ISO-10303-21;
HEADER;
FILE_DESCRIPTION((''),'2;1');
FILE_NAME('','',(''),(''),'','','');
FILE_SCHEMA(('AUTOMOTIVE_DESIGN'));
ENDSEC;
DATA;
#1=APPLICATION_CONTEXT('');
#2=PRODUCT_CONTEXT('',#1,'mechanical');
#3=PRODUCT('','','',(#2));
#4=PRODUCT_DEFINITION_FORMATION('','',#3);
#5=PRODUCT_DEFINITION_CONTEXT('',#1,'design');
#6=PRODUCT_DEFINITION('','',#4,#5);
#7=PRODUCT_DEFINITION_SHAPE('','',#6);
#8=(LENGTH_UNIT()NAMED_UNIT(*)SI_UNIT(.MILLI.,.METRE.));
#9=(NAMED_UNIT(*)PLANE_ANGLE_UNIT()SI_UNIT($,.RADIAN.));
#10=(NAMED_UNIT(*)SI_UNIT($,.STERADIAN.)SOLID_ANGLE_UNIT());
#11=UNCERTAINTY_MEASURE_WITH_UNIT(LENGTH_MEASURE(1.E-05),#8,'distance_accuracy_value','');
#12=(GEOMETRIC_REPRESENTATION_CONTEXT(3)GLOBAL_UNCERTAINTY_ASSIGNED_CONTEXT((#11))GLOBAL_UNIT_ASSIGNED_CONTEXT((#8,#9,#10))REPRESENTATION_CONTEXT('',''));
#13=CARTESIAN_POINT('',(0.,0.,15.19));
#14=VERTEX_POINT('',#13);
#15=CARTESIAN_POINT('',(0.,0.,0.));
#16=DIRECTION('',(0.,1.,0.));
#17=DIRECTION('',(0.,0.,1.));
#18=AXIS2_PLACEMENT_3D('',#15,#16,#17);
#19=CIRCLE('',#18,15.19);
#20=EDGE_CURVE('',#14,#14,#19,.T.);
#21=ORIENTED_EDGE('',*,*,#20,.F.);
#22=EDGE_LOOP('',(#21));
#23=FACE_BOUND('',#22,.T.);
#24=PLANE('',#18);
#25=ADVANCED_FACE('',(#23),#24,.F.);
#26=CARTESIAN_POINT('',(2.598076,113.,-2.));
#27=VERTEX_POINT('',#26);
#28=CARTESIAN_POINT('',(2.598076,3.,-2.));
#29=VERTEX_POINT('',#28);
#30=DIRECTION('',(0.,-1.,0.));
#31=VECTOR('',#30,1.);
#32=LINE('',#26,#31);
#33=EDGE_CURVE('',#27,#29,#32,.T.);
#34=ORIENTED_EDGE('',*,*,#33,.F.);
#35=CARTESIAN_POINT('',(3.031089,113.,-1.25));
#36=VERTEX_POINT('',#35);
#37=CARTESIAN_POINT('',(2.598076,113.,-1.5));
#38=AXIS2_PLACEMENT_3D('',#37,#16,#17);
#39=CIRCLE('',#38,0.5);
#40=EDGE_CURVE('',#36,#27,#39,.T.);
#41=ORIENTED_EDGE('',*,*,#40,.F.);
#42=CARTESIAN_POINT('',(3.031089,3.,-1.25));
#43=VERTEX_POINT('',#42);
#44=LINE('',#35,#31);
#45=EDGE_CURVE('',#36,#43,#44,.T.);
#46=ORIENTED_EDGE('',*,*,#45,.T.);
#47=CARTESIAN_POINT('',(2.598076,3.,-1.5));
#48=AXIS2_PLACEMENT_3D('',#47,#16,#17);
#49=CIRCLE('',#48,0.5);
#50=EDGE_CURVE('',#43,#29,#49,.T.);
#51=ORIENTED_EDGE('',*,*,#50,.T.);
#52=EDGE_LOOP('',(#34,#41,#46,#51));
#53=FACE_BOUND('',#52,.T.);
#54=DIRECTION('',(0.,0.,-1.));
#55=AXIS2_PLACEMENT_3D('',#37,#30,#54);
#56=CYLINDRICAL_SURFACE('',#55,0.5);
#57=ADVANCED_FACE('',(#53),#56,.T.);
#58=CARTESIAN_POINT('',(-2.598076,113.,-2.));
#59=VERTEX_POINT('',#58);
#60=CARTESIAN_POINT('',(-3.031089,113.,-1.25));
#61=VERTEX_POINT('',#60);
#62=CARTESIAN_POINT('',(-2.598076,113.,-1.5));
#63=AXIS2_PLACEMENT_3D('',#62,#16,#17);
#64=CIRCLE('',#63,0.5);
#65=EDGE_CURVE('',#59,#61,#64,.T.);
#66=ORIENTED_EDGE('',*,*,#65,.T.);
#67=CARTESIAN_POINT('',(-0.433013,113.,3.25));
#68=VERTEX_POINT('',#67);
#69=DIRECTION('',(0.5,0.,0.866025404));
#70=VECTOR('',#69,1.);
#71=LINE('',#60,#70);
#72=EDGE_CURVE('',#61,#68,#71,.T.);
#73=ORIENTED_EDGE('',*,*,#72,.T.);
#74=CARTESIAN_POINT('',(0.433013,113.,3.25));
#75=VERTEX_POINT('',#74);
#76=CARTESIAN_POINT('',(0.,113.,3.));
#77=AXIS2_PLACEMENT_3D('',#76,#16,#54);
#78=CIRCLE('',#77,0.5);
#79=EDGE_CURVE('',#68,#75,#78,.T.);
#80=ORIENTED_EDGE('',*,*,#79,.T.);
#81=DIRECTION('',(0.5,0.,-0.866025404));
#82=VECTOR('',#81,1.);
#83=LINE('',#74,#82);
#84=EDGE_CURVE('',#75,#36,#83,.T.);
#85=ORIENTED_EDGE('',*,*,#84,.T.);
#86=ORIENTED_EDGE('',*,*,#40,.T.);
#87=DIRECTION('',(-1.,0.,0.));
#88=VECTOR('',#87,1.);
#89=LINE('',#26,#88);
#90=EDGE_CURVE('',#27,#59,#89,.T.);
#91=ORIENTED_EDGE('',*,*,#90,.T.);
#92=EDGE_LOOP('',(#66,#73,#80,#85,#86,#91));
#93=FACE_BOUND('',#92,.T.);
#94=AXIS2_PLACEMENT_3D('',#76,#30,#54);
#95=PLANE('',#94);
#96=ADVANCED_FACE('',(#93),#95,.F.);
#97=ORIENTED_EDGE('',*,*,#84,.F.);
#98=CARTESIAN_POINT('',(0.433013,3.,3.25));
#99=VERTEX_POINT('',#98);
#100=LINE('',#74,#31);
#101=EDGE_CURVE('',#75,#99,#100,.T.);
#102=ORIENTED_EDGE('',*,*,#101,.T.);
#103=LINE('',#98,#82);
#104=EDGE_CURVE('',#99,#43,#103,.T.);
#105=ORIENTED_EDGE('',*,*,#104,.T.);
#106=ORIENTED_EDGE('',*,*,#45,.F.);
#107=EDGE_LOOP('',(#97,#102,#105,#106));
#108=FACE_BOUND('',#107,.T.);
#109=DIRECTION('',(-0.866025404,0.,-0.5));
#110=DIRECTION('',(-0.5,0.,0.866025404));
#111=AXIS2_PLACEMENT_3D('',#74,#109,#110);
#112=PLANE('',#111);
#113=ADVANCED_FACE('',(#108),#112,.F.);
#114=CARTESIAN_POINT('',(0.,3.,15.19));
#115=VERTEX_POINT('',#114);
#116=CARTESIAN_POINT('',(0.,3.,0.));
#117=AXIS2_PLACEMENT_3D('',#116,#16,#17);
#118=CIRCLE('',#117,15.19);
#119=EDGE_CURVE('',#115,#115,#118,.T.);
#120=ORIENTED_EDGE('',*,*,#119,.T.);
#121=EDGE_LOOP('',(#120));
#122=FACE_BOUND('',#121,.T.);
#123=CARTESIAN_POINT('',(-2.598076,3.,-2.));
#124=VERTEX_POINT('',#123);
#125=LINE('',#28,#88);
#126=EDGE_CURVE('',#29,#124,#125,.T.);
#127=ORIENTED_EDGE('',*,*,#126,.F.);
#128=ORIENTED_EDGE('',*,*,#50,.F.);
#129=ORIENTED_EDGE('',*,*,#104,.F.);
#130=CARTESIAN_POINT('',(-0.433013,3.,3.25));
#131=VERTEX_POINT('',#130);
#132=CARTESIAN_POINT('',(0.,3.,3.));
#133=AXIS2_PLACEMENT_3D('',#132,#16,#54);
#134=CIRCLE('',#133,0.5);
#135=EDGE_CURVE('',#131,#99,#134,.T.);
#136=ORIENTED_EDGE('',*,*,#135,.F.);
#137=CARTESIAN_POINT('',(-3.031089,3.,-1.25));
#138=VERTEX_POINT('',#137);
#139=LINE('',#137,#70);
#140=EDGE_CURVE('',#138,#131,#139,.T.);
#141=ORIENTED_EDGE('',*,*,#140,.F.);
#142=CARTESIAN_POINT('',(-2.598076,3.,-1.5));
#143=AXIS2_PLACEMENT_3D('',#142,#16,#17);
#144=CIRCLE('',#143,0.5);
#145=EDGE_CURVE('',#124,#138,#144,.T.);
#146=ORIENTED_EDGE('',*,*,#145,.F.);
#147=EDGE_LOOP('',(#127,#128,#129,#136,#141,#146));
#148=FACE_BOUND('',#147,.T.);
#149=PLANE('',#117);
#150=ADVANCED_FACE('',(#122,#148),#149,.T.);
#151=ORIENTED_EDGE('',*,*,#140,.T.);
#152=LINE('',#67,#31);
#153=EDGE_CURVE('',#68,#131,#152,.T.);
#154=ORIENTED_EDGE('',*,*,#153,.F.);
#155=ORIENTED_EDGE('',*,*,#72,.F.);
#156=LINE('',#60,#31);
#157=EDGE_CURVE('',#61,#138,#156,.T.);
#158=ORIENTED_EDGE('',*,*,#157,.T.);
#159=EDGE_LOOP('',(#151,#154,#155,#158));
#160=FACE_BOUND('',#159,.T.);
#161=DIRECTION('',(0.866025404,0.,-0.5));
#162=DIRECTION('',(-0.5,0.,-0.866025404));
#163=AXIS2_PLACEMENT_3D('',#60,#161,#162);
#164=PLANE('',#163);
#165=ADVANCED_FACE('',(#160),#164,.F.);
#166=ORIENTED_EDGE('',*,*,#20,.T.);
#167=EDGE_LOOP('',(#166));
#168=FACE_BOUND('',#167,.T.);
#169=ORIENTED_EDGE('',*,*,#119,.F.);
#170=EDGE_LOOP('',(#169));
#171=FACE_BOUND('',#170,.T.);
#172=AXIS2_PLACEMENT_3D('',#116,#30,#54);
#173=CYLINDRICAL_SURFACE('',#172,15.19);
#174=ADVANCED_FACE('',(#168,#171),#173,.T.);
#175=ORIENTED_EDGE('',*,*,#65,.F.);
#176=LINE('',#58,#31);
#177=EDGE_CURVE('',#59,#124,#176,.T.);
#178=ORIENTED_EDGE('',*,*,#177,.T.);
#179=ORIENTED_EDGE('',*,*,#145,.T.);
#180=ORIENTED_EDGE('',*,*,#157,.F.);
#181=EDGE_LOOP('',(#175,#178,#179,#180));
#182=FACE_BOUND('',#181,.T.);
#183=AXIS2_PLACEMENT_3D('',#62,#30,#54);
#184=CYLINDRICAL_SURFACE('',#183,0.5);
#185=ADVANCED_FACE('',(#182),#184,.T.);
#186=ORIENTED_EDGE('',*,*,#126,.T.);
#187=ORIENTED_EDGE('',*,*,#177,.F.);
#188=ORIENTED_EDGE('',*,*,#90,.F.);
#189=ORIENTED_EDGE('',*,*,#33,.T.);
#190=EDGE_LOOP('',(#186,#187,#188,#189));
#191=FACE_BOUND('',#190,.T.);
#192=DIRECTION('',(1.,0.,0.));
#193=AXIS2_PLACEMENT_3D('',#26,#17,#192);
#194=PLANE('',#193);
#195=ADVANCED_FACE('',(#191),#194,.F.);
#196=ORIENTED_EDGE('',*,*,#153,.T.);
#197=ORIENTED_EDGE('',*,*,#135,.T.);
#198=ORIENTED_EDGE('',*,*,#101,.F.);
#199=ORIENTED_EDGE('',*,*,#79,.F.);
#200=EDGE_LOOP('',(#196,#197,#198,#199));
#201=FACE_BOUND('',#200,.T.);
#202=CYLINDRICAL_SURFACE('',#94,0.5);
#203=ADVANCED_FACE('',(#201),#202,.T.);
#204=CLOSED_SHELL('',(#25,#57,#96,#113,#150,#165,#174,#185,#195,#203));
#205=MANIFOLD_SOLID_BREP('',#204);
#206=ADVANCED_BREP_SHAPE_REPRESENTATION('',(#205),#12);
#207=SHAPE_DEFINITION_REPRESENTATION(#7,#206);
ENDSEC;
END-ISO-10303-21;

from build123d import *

# Parameters (mm, degrees)
SKETCH1_R           = 15.19
BOSS_EXTRUDE1_DEPTH = 3
BOSS_EXTRUDE2_DEPTH = 110


with BuildPart() as part:
    # Sketch1 → Boss-Extrude1 (new body)
    with BuildSketch(Plane(origin=(0, 0, 0), x_dir=(1, 0, 0), z_dir=(0, 1, 0))):
        with Locations(Location((0, 0, 0), (0, 0, 270))):
            Circle(SKETCH1_R)
    extrude(amount=BOSS_EXTRUDE1_DEPTH)

    # Sketch2 → Boss-Extrude2 (add)
    with BuildSketch(Plane(origin=(0, 3, 0), x_dir=(1, 0, 0), z_dir=(0, 1, 0))):
        with BuildLine():
            Line((0.433012702, -3.25), (3.031088913, 1.25))
            ThreePointArc((3.031088913, 1.25), (3.031088913, 1.75), (2.598076211, 2))
            Line((2.598076211, 2), (-2.598076211, 2))
            ThreePointArc((-2.598076211, 2), (-3.031088913, 1.75), (-3.031088913, 1.25))
            Line((-3.031088913, 1.25), (-0.433012702, -3.25))
            ThreePointArc((-0.433012702, -3.25), (0, -3.5), (0.433012702, -3.25))
        make_face()
    extrude(amount=BOSS_EXTRUDE2_DEPTH)


solid = part.part
